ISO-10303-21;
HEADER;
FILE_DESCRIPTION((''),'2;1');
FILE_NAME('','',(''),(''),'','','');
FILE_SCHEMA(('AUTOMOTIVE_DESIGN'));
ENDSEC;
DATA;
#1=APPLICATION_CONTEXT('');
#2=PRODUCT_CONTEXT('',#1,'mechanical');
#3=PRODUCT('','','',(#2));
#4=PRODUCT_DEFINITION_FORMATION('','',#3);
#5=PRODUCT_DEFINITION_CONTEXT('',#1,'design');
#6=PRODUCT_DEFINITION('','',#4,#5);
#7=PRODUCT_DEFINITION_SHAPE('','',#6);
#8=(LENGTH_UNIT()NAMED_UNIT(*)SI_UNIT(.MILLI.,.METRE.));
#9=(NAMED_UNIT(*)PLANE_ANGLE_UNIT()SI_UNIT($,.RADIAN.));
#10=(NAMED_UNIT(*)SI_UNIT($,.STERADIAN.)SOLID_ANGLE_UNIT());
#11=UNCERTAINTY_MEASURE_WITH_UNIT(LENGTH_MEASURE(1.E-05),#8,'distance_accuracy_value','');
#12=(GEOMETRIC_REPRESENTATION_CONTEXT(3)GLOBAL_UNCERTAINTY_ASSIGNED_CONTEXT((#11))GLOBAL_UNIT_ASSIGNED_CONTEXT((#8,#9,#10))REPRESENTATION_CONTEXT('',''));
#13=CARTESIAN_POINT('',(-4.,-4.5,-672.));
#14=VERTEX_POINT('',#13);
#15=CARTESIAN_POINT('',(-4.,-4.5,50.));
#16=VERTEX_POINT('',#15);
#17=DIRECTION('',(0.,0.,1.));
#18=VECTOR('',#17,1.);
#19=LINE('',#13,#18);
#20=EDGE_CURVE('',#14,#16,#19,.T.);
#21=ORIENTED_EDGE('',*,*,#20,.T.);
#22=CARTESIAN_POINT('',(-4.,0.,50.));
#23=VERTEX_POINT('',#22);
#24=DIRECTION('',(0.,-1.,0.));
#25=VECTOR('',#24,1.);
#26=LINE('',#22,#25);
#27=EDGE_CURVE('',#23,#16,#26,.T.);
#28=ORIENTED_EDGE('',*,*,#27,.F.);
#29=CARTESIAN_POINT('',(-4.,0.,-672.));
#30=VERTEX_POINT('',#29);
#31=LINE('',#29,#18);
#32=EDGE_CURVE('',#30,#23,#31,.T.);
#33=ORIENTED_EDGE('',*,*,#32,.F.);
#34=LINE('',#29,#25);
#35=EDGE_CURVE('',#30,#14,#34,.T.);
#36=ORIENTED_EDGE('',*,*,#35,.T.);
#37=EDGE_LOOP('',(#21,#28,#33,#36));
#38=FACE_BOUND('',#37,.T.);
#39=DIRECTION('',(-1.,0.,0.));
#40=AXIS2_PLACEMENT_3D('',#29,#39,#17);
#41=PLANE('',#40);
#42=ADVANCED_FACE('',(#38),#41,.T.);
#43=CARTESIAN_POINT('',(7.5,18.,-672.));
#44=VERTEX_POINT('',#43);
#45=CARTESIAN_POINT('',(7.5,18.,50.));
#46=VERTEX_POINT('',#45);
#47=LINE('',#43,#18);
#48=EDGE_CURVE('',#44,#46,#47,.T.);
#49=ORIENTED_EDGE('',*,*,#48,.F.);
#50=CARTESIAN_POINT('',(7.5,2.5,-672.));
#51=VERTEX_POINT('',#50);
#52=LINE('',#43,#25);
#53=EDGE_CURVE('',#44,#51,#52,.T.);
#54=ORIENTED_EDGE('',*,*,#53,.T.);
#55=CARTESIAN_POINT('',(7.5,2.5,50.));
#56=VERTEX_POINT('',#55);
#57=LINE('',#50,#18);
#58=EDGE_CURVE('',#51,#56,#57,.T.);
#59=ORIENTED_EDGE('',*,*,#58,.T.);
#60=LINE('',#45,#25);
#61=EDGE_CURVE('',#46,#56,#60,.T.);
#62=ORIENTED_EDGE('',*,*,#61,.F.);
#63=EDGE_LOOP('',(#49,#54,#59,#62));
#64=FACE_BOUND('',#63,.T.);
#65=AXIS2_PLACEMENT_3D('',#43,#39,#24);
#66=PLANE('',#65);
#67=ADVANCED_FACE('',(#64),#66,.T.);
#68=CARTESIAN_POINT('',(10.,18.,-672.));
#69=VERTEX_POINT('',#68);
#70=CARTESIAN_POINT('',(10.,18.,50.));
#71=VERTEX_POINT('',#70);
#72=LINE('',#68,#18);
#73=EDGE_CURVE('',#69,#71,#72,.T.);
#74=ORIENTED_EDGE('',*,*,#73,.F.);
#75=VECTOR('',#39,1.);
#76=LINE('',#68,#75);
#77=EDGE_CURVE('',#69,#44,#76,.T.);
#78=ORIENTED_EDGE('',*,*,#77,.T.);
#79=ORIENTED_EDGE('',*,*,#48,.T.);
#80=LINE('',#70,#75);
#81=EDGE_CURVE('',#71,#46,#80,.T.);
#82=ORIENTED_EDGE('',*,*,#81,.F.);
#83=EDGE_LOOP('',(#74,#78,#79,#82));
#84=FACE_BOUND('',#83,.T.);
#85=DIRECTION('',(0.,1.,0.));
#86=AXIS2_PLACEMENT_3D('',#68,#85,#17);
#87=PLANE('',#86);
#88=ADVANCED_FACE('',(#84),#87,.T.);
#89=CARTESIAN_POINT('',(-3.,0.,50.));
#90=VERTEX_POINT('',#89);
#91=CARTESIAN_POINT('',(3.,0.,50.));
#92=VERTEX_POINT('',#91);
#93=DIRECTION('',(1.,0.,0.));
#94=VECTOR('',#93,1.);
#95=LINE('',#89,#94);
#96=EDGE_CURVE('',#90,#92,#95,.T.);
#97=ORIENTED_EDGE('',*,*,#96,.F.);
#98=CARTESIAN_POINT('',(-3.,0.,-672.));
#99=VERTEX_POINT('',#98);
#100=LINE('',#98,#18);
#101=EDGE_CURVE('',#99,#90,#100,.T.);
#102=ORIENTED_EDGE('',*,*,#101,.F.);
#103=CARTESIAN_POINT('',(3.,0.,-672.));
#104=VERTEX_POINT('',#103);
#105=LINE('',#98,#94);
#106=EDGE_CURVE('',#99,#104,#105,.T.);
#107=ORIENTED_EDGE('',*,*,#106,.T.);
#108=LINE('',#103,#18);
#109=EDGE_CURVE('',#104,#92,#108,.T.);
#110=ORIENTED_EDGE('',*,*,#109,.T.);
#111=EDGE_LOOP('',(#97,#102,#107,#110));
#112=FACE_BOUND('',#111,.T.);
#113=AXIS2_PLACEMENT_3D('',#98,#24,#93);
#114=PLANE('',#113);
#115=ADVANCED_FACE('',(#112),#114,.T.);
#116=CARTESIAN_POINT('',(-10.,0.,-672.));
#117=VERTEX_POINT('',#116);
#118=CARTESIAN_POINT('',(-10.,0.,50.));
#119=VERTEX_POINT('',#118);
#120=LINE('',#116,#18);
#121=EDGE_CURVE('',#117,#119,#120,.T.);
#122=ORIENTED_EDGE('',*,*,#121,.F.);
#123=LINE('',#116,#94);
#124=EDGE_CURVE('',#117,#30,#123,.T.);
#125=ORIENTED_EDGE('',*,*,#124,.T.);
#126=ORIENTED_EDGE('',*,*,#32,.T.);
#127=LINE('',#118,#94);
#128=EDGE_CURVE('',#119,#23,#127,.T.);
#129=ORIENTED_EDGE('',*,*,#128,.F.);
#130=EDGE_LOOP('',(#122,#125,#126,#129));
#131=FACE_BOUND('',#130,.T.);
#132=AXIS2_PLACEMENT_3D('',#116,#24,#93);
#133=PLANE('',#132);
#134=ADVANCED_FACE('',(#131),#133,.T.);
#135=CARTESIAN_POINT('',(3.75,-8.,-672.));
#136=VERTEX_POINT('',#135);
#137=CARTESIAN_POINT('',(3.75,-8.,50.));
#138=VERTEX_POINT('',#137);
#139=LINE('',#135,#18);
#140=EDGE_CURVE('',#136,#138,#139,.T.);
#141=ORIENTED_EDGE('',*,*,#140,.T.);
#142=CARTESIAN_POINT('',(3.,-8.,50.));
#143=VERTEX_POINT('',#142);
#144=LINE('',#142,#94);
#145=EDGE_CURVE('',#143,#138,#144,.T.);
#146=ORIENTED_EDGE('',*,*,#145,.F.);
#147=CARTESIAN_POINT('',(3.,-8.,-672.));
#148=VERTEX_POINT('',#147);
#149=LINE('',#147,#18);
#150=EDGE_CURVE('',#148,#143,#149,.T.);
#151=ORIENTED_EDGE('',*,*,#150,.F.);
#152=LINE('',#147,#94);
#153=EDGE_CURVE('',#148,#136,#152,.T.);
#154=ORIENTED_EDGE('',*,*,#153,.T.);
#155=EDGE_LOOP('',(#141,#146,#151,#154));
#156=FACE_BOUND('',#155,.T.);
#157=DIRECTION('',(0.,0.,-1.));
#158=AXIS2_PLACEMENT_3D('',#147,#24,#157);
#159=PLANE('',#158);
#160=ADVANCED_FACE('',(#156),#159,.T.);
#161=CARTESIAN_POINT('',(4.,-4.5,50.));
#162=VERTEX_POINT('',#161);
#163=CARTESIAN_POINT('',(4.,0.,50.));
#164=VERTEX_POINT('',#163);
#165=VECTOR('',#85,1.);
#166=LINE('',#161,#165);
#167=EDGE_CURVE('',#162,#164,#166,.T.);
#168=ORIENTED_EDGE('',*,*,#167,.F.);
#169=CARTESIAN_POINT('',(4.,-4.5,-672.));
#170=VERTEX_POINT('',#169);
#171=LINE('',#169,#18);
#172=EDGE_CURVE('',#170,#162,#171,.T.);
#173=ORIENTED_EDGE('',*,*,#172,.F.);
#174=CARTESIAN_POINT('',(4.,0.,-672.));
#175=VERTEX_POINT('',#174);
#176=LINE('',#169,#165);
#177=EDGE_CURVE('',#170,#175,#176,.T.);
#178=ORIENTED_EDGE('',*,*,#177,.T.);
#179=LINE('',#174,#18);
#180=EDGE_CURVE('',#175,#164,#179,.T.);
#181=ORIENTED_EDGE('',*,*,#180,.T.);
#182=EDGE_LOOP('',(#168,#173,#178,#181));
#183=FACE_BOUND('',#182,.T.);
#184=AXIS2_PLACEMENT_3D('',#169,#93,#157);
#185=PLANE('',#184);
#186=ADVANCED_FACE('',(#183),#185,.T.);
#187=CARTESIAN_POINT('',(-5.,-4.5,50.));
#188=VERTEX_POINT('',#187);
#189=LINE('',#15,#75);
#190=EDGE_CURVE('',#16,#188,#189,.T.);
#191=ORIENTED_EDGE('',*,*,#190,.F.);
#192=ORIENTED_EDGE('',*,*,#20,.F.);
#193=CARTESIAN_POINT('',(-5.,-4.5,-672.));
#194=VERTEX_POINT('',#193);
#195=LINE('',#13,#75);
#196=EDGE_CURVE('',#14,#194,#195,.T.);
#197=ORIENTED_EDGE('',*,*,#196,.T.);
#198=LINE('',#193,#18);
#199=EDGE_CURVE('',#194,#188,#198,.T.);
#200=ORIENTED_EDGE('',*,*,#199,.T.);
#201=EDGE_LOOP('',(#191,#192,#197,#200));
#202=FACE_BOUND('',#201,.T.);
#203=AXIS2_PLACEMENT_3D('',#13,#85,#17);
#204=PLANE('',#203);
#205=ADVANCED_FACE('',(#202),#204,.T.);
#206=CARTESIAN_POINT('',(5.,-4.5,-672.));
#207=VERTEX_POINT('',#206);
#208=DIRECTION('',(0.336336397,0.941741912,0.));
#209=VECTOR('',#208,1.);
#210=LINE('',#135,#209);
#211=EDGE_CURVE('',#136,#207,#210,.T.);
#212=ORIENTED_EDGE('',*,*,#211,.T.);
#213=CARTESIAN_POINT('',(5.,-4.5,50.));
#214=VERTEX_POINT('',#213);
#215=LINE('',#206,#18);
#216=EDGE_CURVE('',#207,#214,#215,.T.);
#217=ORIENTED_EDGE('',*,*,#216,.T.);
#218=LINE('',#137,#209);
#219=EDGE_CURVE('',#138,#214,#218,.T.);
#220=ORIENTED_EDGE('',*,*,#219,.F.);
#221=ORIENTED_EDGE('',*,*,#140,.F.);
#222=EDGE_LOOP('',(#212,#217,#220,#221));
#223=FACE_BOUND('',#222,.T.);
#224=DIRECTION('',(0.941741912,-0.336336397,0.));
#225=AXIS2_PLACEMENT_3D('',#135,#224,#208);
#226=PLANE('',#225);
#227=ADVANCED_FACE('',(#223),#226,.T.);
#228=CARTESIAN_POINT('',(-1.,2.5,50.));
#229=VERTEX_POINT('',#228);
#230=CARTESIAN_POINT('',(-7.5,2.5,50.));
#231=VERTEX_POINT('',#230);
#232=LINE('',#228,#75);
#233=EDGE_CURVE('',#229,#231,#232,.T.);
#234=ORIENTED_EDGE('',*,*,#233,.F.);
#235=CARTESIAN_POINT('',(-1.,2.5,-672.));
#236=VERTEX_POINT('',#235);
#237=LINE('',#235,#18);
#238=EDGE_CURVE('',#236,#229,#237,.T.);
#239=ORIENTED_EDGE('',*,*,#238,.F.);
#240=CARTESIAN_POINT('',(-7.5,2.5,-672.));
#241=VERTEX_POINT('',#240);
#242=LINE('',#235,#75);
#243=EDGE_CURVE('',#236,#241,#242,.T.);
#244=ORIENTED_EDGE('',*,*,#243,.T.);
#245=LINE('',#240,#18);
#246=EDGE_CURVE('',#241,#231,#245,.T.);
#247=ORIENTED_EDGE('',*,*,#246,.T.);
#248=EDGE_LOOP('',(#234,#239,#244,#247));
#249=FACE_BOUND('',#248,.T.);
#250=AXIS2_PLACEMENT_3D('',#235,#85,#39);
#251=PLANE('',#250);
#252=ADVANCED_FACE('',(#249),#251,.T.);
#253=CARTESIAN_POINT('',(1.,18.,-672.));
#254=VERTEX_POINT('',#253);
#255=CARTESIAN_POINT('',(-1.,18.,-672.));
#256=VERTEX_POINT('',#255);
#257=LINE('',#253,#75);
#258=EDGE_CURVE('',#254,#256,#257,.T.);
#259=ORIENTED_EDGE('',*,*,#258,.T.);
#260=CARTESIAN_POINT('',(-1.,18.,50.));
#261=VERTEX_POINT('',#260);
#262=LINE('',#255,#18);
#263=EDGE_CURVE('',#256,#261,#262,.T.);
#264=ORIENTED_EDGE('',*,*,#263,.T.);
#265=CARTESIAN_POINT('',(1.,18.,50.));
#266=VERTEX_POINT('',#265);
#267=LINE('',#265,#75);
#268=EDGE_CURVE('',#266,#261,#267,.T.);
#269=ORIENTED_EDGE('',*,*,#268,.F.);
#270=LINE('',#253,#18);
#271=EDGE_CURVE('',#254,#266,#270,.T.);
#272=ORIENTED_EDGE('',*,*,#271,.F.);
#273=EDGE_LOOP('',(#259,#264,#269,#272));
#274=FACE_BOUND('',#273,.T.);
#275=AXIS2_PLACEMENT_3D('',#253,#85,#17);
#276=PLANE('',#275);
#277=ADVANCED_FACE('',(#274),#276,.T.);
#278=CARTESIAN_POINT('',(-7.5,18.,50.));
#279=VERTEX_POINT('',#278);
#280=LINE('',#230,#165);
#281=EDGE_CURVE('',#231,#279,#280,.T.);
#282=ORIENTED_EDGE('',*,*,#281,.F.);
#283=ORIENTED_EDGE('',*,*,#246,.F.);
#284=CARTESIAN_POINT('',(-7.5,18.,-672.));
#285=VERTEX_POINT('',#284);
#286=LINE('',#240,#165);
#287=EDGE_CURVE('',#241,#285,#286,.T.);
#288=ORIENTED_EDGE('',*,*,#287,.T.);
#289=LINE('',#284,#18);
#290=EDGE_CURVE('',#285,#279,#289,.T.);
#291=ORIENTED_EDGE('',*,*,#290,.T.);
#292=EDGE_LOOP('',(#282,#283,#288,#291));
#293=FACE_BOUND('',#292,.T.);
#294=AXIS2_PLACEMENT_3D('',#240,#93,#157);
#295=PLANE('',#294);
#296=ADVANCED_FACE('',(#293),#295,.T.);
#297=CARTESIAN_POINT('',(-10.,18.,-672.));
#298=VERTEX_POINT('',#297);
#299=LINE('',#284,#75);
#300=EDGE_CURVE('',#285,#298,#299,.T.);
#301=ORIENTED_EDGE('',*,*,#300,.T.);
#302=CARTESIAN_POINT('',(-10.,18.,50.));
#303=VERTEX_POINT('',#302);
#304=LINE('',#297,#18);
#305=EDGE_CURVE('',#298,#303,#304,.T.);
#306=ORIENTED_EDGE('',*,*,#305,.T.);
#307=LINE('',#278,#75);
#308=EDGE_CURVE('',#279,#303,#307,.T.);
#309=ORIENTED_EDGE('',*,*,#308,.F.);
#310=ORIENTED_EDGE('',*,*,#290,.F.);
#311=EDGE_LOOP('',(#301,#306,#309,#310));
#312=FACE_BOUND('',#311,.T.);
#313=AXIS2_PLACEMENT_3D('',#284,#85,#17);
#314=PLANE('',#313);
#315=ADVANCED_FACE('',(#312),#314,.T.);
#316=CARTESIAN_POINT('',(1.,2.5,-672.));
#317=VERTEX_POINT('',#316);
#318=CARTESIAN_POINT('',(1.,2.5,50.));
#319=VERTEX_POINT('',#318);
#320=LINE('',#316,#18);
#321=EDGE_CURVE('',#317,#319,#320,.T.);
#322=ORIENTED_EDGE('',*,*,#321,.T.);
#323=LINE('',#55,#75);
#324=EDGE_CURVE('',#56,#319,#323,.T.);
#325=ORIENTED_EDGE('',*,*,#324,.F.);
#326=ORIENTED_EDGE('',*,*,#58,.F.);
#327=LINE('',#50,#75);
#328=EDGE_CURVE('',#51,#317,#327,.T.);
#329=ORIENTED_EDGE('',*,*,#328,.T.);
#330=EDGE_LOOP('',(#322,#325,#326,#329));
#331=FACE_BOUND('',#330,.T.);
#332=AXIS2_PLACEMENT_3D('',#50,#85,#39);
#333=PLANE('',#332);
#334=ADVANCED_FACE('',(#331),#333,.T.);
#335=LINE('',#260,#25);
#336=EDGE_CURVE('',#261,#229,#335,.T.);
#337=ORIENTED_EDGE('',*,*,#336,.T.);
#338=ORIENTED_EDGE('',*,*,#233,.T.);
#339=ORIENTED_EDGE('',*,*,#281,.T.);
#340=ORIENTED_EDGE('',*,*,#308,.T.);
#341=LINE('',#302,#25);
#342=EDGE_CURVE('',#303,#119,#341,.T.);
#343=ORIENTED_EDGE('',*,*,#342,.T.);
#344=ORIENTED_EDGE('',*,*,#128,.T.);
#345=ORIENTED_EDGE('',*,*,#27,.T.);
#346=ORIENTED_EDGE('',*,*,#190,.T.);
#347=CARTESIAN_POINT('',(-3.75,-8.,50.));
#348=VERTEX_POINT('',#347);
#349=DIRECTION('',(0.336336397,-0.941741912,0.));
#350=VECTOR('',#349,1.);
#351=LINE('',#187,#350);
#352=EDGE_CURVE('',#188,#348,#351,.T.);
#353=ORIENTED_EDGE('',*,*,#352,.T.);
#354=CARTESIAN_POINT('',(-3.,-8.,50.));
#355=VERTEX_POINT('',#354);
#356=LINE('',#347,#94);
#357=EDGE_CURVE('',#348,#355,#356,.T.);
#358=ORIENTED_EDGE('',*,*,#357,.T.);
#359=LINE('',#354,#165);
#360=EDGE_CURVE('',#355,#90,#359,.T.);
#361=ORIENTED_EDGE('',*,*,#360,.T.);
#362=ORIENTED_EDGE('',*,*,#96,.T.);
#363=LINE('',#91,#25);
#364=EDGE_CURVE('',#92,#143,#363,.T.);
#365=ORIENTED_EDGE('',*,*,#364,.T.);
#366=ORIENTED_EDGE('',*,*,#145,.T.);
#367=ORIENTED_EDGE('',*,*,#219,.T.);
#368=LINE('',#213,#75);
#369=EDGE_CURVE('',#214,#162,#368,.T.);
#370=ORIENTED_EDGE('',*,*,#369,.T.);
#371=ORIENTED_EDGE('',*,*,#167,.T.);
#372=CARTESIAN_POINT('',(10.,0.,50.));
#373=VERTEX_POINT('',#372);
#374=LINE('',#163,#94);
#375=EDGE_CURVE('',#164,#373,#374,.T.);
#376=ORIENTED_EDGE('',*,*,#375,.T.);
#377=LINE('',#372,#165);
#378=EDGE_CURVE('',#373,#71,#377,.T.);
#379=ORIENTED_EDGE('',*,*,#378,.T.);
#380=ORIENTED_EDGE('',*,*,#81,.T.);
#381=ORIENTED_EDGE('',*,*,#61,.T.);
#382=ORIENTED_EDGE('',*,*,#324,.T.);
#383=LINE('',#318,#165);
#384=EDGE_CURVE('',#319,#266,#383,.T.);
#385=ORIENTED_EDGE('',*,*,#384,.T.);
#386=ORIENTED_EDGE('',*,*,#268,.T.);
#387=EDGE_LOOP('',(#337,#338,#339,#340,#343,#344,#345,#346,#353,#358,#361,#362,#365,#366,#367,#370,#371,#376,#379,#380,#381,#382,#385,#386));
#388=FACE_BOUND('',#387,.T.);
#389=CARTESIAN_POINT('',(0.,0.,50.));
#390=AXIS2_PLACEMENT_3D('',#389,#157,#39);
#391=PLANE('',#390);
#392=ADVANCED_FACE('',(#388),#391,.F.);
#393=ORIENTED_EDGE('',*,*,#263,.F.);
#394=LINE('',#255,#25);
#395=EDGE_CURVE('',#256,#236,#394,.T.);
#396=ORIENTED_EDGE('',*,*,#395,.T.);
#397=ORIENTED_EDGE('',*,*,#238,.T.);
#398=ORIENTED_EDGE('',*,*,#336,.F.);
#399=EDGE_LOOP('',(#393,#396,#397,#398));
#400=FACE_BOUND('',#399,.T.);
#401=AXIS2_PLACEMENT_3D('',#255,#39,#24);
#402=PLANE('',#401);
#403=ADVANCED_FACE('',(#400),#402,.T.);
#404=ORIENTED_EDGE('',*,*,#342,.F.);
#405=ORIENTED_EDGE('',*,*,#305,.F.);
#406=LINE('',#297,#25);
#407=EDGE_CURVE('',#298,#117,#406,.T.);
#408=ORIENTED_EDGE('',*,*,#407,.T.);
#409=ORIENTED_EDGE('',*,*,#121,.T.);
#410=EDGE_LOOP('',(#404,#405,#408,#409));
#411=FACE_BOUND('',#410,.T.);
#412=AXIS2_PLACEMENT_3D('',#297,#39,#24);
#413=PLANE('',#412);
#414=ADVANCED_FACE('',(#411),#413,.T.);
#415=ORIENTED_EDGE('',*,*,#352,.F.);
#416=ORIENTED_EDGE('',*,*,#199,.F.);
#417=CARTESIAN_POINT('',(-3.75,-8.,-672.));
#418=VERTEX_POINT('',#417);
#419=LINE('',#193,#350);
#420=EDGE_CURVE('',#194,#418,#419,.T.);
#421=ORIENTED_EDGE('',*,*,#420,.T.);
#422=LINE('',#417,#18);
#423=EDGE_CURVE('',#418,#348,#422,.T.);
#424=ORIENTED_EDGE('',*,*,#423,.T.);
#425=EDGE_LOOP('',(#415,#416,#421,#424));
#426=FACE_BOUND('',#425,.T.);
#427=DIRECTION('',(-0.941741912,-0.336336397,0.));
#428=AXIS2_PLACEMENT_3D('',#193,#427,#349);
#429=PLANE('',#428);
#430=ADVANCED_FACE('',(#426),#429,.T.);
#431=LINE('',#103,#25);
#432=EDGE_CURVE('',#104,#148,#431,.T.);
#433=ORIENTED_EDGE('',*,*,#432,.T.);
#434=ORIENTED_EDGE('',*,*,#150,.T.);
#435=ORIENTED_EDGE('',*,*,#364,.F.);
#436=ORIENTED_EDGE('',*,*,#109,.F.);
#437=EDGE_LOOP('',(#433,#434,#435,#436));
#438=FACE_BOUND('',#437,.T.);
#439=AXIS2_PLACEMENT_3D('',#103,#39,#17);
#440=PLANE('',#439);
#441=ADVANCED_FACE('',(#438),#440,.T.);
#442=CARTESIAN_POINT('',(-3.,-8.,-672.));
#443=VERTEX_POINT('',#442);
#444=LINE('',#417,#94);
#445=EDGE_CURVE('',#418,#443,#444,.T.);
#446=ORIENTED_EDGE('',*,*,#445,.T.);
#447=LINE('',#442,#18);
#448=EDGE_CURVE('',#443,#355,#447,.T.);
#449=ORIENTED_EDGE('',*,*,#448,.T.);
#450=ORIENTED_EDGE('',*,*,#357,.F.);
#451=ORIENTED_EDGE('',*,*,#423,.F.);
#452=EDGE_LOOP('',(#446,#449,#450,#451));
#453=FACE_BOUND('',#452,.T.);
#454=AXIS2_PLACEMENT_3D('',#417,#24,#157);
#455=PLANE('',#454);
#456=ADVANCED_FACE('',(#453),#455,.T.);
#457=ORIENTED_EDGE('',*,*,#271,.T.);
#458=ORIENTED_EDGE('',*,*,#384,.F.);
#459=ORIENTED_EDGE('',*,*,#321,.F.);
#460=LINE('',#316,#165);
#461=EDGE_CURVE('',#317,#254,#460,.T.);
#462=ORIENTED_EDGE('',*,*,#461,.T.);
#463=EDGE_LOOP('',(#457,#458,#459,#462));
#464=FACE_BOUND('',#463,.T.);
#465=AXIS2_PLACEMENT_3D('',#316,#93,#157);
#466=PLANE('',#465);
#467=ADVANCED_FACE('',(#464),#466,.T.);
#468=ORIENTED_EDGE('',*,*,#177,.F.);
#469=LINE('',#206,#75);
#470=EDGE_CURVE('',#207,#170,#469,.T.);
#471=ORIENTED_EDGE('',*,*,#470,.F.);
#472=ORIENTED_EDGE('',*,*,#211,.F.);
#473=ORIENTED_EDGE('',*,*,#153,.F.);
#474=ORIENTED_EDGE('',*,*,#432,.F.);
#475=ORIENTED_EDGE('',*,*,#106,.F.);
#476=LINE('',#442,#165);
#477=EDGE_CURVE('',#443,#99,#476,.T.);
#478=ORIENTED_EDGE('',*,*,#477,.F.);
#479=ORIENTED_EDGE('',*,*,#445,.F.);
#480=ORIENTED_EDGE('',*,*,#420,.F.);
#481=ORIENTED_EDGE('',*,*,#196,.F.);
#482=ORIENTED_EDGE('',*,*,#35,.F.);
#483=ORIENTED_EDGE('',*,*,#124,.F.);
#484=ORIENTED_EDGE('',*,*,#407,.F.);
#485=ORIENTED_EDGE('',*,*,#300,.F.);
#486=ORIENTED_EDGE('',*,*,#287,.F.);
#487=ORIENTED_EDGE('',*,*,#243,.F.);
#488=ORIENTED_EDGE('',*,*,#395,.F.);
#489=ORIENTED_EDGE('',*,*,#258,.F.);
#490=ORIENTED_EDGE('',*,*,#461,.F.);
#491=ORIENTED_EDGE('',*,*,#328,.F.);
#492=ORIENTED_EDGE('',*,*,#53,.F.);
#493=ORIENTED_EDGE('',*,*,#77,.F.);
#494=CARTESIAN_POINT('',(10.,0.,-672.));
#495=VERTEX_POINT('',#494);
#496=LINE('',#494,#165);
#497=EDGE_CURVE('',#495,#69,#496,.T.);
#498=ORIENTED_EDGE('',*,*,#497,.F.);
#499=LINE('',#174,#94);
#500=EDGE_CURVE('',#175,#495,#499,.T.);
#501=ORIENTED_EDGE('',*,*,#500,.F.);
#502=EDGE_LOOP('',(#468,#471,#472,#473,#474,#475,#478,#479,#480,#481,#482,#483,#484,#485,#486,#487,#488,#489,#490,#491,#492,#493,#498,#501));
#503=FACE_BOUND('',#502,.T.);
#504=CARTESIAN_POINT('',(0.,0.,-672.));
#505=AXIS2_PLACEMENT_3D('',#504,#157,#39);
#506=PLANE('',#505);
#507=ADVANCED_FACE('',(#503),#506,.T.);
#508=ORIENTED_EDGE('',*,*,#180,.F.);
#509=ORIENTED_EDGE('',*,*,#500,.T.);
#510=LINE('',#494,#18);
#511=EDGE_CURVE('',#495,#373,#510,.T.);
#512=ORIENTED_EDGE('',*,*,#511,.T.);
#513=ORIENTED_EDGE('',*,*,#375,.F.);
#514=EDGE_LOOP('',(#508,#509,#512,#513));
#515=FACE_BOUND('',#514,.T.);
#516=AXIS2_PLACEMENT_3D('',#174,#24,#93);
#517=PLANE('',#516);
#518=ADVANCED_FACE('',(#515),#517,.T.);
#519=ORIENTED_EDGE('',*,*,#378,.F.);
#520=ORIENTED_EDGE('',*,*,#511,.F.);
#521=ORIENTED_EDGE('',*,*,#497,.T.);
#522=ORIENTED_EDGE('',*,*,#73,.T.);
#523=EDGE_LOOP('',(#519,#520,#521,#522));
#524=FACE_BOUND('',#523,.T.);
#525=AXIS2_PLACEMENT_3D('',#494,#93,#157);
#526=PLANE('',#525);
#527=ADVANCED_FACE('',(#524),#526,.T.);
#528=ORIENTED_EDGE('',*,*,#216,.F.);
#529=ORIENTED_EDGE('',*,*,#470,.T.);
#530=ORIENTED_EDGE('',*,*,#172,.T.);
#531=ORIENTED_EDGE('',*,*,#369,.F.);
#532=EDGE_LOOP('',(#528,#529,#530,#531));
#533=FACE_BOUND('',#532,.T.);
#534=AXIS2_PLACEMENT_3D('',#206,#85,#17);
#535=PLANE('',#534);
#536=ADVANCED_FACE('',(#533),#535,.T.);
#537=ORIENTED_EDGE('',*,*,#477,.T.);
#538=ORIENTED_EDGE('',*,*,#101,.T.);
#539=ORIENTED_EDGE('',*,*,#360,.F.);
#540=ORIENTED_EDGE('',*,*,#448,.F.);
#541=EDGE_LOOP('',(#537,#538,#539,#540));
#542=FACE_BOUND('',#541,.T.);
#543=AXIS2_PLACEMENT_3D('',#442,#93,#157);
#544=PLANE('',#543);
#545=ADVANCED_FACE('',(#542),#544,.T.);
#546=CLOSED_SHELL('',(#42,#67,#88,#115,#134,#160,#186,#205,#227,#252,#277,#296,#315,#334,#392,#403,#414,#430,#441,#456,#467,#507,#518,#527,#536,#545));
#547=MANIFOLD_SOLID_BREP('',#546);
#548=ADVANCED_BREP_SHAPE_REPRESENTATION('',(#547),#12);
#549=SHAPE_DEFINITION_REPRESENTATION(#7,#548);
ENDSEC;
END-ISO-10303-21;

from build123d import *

# Parameters (mm, degrees)
BOSS_EXTRU_1_DEPTH = 722


with BuildPart() as part:
    # Esquisse1 → Boss.-Extru.1 (new body)
    with BuildSketch(Plane.XY.offset(50)):
        Polygon((-1, 2.5), (-7.5, 2.5), (-7.5, 17.999999998), (-10, 17.999999998), (-10, 0), (-4, 0), (-4, -4.5), (-5, -4.5), (-3.75, -8), (-3, -8), (-3, 0), (3, 0), (3, -8), (3.75, -8), (5, -4.5), (4, -4.5), (4, 0), (10, 0), (10, 17.999999998), (7.5, 17.999999998), (7.5, 2.5), (1, 2.5), (1, 17.999999998), (-1, 17.999999998), align=None)
    extrude(amount=-BOSS_EXTRU_1_DEPTH)


solid = part.part
